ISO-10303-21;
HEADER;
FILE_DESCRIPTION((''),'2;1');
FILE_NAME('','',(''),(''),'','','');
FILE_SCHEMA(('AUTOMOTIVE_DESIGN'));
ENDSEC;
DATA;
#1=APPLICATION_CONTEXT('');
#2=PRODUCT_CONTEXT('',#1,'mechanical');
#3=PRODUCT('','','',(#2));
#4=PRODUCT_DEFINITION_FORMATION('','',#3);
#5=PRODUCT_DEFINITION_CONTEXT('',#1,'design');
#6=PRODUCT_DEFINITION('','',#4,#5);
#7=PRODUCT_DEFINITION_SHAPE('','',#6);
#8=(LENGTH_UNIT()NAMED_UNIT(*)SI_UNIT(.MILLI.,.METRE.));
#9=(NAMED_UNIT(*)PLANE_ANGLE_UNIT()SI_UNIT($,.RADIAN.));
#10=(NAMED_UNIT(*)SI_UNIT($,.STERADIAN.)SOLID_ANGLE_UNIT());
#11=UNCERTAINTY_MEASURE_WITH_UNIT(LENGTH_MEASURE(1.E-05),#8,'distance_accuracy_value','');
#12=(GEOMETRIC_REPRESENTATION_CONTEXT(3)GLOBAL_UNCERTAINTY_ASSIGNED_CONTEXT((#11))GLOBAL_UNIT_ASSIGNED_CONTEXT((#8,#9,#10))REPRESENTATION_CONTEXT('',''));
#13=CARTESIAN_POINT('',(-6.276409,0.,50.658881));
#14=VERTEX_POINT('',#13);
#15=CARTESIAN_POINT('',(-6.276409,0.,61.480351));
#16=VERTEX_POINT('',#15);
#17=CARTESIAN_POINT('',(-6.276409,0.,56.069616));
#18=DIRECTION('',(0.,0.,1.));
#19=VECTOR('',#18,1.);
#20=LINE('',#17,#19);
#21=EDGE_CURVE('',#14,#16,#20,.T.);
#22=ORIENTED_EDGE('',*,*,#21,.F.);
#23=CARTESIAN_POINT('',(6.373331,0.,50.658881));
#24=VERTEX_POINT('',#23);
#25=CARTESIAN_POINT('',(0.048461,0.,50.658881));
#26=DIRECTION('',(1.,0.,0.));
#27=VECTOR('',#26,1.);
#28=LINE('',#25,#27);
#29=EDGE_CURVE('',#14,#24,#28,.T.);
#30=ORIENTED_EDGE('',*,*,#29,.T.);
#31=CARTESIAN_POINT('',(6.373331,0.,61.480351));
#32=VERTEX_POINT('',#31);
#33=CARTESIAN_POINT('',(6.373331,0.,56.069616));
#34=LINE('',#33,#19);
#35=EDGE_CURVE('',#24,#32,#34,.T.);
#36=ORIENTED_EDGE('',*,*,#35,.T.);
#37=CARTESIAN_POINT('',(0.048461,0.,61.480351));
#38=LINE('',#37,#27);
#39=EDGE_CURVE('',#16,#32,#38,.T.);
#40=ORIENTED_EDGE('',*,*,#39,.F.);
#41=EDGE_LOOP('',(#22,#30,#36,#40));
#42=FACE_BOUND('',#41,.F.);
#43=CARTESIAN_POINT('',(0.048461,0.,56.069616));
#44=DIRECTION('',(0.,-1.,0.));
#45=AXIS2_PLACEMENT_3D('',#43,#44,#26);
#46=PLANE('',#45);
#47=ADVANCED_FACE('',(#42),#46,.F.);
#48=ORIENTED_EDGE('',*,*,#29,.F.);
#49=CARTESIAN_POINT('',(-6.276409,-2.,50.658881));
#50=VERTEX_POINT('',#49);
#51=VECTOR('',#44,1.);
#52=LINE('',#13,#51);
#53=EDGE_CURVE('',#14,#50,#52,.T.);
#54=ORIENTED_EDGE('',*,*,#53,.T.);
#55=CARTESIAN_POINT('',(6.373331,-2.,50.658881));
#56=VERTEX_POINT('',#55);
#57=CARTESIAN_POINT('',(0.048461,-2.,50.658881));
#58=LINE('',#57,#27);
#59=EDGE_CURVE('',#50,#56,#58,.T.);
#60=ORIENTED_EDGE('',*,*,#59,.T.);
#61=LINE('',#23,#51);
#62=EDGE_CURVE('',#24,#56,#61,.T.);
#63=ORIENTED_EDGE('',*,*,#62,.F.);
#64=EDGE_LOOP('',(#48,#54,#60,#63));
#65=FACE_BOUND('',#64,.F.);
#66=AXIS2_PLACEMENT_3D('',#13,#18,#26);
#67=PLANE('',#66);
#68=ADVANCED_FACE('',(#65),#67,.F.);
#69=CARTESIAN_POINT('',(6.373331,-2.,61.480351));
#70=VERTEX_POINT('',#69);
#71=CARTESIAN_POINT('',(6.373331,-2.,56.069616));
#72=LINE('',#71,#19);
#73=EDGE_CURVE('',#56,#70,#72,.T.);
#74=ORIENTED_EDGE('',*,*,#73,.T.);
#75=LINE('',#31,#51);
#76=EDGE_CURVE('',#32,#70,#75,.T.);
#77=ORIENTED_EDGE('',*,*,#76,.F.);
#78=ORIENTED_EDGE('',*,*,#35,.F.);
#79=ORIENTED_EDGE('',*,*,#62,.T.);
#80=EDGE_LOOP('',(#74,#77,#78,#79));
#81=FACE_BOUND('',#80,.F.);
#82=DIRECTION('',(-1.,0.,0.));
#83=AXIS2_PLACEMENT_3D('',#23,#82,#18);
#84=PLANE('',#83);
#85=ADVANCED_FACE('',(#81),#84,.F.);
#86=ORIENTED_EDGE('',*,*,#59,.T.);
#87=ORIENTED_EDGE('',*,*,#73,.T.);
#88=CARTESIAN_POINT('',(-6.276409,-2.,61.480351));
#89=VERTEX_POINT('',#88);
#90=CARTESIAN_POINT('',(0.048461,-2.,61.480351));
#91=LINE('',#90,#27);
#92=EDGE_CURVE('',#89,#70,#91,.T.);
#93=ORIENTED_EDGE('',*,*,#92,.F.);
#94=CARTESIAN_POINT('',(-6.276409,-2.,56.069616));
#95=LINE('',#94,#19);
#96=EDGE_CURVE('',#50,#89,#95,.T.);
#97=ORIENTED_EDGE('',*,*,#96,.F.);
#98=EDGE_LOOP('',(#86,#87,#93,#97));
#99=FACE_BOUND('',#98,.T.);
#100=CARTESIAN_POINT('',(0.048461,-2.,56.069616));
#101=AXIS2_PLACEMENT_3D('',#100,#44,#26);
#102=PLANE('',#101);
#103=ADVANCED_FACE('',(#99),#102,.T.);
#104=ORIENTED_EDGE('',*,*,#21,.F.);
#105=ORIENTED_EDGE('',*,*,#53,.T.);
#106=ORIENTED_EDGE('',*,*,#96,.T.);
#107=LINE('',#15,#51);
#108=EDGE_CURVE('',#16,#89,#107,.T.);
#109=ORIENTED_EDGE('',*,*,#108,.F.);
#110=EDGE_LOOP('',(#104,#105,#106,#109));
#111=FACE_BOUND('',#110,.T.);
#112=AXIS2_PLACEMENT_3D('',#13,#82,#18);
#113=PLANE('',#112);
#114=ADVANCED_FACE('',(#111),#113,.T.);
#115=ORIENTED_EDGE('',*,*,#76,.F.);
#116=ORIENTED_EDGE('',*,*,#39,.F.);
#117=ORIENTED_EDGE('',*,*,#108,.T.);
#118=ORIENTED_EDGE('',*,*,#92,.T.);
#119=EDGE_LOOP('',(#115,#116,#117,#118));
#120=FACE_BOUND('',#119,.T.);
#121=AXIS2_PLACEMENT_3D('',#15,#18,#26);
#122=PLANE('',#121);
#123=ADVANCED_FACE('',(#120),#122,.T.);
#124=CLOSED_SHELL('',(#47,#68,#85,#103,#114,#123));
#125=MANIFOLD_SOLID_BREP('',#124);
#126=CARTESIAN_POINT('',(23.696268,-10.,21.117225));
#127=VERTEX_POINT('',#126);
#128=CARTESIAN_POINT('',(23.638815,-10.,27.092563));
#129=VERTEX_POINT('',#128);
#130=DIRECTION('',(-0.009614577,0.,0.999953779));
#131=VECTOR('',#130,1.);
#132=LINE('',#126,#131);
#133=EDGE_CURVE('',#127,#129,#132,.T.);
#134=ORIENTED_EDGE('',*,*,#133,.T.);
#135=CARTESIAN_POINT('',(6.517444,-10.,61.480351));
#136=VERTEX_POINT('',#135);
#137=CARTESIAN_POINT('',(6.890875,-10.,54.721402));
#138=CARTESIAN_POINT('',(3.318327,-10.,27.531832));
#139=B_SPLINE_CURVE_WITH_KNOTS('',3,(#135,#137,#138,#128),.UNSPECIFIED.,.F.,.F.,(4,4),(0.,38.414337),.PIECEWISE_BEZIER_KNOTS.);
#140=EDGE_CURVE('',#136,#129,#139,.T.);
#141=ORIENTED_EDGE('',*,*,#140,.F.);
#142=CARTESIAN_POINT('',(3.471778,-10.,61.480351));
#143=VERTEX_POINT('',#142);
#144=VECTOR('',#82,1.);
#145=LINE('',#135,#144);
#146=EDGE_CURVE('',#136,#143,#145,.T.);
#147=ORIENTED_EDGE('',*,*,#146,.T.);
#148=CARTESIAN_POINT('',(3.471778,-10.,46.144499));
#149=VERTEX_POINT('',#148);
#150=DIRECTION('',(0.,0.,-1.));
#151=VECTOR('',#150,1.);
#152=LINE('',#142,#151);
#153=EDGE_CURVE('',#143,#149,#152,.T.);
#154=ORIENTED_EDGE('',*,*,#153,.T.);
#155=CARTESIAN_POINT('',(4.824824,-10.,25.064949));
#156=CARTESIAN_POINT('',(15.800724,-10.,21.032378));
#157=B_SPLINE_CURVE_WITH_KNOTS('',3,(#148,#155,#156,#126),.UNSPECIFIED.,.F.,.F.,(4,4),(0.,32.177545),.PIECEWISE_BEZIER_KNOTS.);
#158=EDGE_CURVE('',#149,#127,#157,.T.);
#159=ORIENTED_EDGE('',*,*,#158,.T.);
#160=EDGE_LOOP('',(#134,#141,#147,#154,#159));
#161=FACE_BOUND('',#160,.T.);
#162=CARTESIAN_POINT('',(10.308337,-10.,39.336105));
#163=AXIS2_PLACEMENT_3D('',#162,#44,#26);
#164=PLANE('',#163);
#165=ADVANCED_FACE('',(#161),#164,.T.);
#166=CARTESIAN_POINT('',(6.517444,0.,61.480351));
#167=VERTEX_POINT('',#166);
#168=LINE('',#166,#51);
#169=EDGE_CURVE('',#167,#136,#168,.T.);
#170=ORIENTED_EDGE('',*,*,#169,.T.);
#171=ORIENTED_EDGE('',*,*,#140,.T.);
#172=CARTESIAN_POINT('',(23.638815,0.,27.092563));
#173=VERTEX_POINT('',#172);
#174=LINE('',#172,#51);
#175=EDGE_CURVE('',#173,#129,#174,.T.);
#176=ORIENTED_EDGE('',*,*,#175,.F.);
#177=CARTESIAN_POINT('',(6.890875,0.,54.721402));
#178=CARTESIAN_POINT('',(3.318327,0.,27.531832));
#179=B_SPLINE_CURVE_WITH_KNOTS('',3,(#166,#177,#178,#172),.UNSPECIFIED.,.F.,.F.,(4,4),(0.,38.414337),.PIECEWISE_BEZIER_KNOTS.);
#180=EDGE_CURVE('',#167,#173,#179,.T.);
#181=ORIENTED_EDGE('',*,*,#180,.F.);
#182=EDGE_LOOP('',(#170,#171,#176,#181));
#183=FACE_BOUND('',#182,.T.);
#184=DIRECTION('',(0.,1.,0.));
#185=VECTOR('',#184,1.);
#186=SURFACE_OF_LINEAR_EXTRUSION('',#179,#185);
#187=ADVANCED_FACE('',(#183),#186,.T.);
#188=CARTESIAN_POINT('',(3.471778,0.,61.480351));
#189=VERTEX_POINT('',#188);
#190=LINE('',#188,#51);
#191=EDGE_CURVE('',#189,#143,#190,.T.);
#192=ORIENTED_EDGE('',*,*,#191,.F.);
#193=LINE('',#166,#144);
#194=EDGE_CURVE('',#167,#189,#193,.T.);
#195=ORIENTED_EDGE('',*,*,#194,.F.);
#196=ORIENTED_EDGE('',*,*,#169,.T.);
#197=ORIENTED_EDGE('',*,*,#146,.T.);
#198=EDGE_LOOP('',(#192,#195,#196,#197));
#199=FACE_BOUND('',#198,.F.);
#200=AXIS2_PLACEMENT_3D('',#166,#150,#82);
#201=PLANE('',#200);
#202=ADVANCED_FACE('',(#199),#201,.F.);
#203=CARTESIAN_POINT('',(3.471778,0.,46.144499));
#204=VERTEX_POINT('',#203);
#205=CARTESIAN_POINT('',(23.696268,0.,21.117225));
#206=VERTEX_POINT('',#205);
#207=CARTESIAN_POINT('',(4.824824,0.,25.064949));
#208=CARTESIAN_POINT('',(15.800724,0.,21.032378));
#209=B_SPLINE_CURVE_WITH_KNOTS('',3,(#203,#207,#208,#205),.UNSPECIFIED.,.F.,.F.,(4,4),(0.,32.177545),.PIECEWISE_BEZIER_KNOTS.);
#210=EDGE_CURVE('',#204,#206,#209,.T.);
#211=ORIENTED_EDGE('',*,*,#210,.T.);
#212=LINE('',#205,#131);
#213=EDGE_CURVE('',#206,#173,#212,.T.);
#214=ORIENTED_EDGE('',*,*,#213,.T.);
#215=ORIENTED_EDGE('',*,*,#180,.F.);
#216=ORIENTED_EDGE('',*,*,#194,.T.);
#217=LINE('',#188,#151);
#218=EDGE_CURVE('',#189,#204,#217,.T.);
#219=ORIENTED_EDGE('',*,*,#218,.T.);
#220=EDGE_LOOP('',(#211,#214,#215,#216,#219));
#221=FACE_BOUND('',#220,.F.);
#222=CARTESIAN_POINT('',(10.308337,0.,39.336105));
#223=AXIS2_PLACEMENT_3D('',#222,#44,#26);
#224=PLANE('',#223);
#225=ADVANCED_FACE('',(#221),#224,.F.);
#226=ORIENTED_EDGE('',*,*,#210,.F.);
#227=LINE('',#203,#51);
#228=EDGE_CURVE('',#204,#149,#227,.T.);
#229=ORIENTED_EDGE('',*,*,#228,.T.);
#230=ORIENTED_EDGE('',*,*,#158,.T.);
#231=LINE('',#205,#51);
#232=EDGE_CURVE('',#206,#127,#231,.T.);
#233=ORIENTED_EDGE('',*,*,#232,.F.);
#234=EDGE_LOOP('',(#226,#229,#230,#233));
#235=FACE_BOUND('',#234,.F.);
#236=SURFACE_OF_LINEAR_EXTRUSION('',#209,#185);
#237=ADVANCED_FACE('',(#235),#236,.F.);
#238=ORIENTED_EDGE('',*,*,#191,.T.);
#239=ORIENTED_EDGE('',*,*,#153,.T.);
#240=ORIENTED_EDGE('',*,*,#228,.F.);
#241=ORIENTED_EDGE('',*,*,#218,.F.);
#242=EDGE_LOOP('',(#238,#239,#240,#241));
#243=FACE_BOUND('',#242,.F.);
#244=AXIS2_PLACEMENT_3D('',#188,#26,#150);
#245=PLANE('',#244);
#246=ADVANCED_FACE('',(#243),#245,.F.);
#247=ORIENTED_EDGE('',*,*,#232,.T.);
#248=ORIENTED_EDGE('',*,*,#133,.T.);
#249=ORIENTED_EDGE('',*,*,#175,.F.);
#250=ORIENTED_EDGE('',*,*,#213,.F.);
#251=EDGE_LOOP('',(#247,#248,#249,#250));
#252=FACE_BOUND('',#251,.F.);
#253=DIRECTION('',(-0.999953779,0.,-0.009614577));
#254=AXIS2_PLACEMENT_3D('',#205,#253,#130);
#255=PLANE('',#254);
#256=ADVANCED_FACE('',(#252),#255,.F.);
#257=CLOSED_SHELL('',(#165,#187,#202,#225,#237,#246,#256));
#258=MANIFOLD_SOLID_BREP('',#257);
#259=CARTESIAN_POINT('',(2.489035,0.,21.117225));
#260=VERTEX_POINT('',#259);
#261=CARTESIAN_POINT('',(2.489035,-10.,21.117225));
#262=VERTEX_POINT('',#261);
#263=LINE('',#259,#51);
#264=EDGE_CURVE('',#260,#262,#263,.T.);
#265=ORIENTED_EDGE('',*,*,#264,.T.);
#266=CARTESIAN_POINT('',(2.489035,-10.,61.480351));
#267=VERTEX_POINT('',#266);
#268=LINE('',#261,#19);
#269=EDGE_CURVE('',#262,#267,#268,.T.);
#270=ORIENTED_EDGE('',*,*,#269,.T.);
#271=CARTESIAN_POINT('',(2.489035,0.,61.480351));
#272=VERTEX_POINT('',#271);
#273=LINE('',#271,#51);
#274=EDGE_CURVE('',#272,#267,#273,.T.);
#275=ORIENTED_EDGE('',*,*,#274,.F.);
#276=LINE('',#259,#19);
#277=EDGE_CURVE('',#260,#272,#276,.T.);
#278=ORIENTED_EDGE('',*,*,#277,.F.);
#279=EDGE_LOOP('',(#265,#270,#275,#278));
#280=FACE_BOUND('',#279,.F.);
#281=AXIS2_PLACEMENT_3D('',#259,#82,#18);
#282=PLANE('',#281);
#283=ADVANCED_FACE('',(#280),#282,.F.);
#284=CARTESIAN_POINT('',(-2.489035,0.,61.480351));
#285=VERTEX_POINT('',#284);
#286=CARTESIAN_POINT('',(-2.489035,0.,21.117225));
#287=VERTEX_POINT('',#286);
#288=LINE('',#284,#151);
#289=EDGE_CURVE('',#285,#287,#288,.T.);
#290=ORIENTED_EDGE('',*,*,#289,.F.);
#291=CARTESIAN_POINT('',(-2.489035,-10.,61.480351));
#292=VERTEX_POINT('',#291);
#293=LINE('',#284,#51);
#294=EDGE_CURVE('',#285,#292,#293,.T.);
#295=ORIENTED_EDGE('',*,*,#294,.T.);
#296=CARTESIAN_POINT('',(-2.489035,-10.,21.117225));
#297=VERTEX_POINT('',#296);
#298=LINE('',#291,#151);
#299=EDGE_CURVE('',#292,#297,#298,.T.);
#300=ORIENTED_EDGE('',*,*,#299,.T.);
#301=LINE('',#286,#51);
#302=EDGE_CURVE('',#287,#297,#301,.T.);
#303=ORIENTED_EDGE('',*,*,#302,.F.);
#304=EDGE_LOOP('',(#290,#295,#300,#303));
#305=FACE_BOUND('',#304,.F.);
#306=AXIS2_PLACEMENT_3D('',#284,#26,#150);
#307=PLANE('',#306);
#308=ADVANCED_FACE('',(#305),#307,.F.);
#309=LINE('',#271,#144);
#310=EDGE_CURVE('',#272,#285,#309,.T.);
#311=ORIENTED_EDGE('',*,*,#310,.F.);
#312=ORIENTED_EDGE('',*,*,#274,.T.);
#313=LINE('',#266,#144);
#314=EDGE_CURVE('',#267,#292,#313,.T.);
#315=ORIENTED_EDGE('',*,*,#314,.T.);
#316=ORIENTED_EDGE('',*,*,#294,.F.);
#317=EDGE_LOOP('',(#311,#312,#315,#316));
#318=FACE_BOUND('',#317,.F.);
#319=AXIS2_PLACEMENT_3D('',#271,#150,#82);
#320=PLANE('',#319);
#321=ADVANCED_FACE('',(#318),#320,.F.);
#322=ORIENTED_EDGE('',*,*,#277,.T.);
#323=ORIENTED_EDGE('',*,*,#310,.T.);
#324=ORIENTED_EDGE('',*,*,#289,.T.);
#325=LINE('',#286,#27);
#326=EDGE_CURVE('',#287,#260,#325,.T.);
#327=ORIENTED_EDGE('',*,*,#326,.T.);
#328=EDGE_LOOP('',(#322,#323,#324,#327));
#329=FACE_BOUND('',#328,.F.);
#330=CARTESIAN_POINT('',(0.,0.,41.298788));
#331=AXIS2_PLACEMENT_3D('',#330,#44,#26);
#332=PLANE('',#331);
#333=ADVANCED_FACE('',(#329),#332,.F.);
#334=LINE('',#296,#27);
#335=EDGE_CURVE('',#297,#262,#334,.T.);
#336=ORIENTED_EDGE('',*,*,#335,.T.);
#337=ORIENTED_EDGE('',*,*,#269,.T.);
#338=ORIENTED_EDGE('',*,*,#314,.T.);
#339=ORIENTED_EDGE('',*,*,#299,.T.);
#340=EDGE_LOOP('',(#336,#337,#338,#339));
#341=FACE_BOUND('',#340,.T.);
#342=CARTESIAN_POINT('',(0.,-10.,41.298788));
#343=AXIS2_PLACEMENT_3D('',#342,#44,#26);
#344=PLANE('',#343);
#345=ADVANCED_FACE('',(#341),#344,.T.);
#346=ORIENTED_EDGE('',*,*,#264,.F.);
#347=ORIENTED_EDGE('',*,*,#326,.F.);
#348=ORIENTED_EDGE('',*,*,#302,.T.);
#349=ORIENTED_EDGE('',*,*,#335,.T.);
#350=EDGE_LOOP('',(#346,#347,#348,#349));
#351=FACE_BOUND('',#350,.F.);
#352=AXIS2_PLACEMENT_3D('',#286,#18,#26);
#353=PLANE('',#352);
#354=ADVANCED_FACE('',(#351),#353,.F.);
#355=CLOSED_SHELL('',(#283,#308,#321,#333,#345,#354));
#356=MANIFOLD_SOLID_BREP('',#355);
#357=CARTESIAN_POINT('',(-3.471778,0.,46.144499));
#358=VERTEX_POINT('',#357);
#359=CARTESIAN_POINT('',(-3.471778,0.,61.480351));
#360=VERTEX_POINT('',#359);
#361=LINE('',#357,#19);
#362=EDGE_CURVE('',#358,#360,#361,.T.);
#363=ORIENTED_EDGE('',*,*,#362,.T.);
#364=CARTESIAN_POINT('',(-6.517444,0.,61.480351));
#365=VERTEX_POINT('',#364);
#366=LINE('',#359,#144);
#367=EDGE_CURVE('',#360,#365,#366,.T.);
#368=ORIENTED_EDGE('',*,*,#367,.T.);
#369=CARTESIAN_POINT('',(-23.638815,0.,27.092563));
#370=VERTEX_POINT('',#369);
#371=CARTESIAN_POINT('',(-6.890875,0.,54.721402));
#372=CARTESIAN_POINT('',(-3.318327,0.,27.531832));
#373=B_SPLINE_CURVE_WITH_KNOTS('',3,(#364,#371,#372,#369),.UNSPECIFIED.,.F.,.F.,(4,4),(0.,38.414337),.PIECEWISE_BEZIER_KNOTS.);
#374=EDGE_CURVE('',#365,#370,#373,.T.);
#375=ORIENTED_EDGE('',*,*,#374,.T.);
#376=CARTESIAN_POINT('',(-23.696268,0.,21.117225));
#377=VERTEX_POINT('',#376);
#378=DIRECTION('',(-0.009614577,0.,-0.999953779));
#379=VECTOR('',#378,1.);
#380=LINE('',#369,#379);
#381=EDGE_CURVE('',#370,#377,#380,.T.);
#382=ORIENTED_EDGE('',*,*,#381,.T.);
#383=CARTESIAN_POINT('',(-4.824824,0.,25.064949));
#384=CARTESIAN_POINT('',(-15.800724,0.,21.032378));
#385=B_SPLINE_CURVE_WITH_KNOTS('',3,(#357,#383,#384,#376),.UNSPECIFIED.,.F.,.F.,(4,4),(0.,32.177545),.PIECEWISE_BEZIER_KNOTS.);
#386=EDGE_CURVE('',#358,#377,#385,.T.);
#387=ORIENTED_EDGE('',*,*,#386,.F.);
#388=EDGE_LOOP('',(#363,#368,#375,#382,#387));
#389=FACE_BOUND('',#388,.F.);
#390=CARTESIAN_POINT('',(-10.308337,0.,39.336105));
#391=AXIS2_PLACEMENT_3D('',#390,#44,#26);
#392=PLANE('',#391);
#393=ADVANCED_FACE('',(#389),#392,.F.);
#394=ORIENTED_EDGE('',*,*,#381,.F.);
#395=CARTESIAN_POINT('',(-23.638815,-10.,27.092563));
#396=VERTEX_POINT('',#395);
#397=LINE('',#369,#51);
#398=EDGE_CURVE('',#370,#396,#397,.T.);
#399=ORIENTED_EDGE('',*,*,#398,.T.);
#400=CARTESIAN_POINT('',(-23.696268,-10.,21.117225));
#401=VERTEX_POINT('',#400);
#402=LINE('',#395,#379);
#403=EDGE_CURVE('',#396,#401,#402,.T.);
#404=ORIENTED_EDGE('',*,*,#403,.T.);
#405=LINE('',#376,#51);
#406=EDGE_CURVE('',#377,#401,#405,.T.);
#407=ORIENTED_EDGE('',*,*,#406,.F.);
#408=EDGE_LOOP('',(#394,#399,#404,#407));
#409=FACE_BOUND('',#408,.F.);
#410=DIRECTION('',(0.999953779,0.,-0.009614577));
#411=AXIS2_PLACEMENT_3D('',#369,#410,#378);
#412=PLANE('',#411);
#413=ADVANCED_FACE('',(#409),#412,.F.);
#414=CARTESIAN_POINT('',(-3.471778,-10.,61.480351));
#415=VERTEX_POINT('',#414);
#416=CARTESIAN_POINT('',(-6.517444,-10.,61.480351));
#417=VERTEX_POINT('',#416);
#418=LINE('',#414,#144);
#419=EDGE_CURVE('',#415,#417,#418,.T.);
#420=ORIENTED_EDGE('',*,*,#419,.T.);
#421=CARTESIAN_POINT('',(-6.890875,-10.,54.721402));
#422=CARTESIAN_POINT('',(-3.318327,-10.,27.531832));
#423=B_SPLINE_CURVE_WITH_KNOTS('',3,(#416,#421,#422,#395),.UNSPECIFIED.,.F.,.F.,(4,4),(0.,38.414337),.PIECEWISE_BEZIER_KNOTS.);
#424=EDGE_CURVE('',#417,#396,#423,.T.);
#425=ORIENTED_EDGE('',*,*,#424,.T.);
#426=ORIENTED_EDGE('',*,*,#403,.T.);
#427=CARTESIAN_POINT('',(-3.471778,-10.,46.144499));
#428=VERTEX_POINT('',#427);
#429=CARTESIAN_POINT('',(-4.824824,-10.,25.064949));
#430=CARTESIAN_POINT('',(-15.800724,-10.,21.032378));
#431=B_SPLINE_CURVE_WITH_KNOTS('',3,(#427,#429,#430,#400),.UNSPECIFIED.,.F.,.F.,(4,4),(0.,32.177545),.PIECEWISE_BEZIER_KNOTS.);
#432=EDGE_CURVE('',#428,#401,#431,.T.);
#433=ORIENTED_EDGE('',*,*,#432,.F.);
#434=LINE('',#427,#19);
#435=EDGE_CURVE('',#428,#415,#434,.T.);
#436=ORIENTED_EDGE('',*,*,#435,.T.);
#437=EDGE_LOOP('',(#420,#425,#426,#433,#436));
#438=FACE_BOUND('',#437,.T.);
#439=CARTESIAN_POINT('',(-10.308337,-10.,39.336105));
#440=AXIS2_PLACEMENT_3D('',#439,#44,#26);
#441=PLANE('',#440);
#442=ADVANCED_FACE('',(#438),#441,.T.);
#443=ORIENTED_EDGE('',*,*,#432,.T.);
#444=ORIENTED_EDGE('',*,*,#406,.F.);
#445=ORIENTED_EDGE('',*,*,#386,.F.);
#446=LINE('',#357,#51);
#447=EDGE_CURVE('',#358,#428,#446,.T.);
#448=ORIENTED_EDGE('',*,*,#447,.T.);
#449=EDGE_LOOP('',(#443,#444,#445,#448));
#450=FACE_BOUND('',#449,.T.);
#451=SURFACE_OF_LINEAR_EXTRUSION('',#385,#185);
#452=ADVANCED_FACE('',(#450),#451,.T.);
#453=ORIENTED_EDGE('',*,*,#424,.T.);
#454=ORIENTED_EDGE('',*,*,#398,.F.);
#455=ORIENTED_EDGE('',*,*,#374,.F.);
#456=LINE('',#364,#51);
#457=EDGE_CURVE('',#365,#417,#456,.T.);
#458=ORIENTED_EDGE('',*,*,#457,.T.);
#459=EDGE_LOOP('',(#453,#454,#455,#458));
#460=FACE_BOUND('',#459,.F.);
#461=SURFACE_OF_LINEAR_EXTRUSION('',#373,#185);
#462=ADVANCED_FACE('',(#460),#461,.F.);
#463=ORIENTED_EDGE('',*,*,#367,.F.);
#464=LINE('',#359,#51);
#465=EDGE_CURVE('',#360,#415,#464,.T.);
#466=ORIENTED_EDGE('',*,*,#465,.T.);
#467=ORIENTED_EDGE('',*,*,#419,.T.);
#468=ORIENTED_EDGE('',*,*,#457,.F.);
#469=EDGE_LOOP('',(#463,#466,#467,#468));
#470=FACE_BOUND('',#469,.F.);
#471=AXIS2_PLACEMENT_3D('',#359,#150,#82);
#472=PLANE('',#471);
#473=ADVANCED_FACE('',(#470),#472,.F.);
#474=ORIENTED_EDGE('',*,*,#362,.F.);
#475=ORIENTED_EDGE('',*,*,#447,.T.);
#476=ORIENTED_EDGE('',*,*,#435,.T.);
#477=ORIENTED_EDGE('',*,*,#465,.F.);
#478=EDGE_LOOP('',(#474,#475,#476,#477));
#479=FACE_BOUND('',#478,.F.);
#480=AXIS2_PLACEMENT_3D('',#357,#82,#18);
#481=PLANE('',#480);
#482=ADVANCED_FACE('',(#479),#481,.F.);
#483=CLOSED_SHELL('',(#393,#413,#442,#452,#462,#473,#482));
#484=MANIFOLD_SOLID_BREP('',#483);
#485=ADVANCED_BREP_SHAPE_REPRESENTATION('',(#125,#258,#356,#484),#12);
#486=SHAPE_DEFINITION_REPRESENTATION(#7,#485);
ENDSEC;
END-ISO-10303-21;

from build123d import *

# Parameters (mm, degrees)
F2_DEPTH = 10
F3_W     = 12.649741
F3_H     = 10.821469
F4_DEPTH = 2


with BuildPart() as f2:
    # F1 (on Front) → F2 (new body)
    with BuildSketch(Plane.XZ):
        with BuildLine():
            Line((-3.471778, 61.480351), (-6.517444, 61.480351))
            add(Edge.make_bspline(
                [(-6.517444, 61.480351), (-6.890875, 54.721402), (-3.318327, 27.531832), (-23.638815, 27.092563)],
                knots=[0, 0, 0, 0, 38.414337, 38.414337, 38.414337, 38.414337], degree=3))
            Line((-23.638815, 27.092563), (-23.696268, 21.117225))
            add(Edge.make_bspline(
                [(-3.471778, 46.144499), (-4.824824, 25.064949), (-15.800724, 21.032378), (-23.696268, 21.117225)],
                knots=[0, 0, 0, 0, 32.177545, 32.177545, 32.177545, 32.177545], degree=3))
            Line((-3.471778, 46.144499), (-3.471778, 61.480351))
        make_face()
        Polygon((2.489035, 61.480351), (0, 61.480351), (-2.489035, 61.480351), (-2.489035, 21.117225), (0, 21.117225), (2.489035, 21.117225), align=None)
        with BuildLine():
            Line((6.517444, 61.480351), (3.471778, 61.480351))
            Line((3.471778, 61.480351), (3.471778, 46.144499))
            add(Edge.make_bspline(
                [(3.471778, 46.144499), (4.824824, 25.064949), (15.800724, 21.032378), (23.696268, 21.117225)],
                knots=[0, 0, 0, 0, 32.177545, 32.177545, 32.177545, 32.177545], degree=3))
            Line((23.696268, 21.117225), (23.638815, 27.092563))
            add(Edge.make_bspline(
                [(6.517444, 61.480351), (6.890875, 54.721402), (3.318327, 27.531832), (23.638815, 27.092563)],
                knots=[0, 0, 0, 0, 38.414337, 38.414337, 38.414337, 38.414337], degree=3))
        make_face()
    extrude(amount=F2_DEPTH)


with BuildPart() as f4:
    # F3 (on Front) → F4 (new body)
    with BuildSketch(Plane.XZ):
        with Locations((0.048461, 56.069616)):
            Rectangle(F3_W, F3_H)
    extrude(amount=F4_DEPTH)


solid = Compound([f2.part, f4.part])
